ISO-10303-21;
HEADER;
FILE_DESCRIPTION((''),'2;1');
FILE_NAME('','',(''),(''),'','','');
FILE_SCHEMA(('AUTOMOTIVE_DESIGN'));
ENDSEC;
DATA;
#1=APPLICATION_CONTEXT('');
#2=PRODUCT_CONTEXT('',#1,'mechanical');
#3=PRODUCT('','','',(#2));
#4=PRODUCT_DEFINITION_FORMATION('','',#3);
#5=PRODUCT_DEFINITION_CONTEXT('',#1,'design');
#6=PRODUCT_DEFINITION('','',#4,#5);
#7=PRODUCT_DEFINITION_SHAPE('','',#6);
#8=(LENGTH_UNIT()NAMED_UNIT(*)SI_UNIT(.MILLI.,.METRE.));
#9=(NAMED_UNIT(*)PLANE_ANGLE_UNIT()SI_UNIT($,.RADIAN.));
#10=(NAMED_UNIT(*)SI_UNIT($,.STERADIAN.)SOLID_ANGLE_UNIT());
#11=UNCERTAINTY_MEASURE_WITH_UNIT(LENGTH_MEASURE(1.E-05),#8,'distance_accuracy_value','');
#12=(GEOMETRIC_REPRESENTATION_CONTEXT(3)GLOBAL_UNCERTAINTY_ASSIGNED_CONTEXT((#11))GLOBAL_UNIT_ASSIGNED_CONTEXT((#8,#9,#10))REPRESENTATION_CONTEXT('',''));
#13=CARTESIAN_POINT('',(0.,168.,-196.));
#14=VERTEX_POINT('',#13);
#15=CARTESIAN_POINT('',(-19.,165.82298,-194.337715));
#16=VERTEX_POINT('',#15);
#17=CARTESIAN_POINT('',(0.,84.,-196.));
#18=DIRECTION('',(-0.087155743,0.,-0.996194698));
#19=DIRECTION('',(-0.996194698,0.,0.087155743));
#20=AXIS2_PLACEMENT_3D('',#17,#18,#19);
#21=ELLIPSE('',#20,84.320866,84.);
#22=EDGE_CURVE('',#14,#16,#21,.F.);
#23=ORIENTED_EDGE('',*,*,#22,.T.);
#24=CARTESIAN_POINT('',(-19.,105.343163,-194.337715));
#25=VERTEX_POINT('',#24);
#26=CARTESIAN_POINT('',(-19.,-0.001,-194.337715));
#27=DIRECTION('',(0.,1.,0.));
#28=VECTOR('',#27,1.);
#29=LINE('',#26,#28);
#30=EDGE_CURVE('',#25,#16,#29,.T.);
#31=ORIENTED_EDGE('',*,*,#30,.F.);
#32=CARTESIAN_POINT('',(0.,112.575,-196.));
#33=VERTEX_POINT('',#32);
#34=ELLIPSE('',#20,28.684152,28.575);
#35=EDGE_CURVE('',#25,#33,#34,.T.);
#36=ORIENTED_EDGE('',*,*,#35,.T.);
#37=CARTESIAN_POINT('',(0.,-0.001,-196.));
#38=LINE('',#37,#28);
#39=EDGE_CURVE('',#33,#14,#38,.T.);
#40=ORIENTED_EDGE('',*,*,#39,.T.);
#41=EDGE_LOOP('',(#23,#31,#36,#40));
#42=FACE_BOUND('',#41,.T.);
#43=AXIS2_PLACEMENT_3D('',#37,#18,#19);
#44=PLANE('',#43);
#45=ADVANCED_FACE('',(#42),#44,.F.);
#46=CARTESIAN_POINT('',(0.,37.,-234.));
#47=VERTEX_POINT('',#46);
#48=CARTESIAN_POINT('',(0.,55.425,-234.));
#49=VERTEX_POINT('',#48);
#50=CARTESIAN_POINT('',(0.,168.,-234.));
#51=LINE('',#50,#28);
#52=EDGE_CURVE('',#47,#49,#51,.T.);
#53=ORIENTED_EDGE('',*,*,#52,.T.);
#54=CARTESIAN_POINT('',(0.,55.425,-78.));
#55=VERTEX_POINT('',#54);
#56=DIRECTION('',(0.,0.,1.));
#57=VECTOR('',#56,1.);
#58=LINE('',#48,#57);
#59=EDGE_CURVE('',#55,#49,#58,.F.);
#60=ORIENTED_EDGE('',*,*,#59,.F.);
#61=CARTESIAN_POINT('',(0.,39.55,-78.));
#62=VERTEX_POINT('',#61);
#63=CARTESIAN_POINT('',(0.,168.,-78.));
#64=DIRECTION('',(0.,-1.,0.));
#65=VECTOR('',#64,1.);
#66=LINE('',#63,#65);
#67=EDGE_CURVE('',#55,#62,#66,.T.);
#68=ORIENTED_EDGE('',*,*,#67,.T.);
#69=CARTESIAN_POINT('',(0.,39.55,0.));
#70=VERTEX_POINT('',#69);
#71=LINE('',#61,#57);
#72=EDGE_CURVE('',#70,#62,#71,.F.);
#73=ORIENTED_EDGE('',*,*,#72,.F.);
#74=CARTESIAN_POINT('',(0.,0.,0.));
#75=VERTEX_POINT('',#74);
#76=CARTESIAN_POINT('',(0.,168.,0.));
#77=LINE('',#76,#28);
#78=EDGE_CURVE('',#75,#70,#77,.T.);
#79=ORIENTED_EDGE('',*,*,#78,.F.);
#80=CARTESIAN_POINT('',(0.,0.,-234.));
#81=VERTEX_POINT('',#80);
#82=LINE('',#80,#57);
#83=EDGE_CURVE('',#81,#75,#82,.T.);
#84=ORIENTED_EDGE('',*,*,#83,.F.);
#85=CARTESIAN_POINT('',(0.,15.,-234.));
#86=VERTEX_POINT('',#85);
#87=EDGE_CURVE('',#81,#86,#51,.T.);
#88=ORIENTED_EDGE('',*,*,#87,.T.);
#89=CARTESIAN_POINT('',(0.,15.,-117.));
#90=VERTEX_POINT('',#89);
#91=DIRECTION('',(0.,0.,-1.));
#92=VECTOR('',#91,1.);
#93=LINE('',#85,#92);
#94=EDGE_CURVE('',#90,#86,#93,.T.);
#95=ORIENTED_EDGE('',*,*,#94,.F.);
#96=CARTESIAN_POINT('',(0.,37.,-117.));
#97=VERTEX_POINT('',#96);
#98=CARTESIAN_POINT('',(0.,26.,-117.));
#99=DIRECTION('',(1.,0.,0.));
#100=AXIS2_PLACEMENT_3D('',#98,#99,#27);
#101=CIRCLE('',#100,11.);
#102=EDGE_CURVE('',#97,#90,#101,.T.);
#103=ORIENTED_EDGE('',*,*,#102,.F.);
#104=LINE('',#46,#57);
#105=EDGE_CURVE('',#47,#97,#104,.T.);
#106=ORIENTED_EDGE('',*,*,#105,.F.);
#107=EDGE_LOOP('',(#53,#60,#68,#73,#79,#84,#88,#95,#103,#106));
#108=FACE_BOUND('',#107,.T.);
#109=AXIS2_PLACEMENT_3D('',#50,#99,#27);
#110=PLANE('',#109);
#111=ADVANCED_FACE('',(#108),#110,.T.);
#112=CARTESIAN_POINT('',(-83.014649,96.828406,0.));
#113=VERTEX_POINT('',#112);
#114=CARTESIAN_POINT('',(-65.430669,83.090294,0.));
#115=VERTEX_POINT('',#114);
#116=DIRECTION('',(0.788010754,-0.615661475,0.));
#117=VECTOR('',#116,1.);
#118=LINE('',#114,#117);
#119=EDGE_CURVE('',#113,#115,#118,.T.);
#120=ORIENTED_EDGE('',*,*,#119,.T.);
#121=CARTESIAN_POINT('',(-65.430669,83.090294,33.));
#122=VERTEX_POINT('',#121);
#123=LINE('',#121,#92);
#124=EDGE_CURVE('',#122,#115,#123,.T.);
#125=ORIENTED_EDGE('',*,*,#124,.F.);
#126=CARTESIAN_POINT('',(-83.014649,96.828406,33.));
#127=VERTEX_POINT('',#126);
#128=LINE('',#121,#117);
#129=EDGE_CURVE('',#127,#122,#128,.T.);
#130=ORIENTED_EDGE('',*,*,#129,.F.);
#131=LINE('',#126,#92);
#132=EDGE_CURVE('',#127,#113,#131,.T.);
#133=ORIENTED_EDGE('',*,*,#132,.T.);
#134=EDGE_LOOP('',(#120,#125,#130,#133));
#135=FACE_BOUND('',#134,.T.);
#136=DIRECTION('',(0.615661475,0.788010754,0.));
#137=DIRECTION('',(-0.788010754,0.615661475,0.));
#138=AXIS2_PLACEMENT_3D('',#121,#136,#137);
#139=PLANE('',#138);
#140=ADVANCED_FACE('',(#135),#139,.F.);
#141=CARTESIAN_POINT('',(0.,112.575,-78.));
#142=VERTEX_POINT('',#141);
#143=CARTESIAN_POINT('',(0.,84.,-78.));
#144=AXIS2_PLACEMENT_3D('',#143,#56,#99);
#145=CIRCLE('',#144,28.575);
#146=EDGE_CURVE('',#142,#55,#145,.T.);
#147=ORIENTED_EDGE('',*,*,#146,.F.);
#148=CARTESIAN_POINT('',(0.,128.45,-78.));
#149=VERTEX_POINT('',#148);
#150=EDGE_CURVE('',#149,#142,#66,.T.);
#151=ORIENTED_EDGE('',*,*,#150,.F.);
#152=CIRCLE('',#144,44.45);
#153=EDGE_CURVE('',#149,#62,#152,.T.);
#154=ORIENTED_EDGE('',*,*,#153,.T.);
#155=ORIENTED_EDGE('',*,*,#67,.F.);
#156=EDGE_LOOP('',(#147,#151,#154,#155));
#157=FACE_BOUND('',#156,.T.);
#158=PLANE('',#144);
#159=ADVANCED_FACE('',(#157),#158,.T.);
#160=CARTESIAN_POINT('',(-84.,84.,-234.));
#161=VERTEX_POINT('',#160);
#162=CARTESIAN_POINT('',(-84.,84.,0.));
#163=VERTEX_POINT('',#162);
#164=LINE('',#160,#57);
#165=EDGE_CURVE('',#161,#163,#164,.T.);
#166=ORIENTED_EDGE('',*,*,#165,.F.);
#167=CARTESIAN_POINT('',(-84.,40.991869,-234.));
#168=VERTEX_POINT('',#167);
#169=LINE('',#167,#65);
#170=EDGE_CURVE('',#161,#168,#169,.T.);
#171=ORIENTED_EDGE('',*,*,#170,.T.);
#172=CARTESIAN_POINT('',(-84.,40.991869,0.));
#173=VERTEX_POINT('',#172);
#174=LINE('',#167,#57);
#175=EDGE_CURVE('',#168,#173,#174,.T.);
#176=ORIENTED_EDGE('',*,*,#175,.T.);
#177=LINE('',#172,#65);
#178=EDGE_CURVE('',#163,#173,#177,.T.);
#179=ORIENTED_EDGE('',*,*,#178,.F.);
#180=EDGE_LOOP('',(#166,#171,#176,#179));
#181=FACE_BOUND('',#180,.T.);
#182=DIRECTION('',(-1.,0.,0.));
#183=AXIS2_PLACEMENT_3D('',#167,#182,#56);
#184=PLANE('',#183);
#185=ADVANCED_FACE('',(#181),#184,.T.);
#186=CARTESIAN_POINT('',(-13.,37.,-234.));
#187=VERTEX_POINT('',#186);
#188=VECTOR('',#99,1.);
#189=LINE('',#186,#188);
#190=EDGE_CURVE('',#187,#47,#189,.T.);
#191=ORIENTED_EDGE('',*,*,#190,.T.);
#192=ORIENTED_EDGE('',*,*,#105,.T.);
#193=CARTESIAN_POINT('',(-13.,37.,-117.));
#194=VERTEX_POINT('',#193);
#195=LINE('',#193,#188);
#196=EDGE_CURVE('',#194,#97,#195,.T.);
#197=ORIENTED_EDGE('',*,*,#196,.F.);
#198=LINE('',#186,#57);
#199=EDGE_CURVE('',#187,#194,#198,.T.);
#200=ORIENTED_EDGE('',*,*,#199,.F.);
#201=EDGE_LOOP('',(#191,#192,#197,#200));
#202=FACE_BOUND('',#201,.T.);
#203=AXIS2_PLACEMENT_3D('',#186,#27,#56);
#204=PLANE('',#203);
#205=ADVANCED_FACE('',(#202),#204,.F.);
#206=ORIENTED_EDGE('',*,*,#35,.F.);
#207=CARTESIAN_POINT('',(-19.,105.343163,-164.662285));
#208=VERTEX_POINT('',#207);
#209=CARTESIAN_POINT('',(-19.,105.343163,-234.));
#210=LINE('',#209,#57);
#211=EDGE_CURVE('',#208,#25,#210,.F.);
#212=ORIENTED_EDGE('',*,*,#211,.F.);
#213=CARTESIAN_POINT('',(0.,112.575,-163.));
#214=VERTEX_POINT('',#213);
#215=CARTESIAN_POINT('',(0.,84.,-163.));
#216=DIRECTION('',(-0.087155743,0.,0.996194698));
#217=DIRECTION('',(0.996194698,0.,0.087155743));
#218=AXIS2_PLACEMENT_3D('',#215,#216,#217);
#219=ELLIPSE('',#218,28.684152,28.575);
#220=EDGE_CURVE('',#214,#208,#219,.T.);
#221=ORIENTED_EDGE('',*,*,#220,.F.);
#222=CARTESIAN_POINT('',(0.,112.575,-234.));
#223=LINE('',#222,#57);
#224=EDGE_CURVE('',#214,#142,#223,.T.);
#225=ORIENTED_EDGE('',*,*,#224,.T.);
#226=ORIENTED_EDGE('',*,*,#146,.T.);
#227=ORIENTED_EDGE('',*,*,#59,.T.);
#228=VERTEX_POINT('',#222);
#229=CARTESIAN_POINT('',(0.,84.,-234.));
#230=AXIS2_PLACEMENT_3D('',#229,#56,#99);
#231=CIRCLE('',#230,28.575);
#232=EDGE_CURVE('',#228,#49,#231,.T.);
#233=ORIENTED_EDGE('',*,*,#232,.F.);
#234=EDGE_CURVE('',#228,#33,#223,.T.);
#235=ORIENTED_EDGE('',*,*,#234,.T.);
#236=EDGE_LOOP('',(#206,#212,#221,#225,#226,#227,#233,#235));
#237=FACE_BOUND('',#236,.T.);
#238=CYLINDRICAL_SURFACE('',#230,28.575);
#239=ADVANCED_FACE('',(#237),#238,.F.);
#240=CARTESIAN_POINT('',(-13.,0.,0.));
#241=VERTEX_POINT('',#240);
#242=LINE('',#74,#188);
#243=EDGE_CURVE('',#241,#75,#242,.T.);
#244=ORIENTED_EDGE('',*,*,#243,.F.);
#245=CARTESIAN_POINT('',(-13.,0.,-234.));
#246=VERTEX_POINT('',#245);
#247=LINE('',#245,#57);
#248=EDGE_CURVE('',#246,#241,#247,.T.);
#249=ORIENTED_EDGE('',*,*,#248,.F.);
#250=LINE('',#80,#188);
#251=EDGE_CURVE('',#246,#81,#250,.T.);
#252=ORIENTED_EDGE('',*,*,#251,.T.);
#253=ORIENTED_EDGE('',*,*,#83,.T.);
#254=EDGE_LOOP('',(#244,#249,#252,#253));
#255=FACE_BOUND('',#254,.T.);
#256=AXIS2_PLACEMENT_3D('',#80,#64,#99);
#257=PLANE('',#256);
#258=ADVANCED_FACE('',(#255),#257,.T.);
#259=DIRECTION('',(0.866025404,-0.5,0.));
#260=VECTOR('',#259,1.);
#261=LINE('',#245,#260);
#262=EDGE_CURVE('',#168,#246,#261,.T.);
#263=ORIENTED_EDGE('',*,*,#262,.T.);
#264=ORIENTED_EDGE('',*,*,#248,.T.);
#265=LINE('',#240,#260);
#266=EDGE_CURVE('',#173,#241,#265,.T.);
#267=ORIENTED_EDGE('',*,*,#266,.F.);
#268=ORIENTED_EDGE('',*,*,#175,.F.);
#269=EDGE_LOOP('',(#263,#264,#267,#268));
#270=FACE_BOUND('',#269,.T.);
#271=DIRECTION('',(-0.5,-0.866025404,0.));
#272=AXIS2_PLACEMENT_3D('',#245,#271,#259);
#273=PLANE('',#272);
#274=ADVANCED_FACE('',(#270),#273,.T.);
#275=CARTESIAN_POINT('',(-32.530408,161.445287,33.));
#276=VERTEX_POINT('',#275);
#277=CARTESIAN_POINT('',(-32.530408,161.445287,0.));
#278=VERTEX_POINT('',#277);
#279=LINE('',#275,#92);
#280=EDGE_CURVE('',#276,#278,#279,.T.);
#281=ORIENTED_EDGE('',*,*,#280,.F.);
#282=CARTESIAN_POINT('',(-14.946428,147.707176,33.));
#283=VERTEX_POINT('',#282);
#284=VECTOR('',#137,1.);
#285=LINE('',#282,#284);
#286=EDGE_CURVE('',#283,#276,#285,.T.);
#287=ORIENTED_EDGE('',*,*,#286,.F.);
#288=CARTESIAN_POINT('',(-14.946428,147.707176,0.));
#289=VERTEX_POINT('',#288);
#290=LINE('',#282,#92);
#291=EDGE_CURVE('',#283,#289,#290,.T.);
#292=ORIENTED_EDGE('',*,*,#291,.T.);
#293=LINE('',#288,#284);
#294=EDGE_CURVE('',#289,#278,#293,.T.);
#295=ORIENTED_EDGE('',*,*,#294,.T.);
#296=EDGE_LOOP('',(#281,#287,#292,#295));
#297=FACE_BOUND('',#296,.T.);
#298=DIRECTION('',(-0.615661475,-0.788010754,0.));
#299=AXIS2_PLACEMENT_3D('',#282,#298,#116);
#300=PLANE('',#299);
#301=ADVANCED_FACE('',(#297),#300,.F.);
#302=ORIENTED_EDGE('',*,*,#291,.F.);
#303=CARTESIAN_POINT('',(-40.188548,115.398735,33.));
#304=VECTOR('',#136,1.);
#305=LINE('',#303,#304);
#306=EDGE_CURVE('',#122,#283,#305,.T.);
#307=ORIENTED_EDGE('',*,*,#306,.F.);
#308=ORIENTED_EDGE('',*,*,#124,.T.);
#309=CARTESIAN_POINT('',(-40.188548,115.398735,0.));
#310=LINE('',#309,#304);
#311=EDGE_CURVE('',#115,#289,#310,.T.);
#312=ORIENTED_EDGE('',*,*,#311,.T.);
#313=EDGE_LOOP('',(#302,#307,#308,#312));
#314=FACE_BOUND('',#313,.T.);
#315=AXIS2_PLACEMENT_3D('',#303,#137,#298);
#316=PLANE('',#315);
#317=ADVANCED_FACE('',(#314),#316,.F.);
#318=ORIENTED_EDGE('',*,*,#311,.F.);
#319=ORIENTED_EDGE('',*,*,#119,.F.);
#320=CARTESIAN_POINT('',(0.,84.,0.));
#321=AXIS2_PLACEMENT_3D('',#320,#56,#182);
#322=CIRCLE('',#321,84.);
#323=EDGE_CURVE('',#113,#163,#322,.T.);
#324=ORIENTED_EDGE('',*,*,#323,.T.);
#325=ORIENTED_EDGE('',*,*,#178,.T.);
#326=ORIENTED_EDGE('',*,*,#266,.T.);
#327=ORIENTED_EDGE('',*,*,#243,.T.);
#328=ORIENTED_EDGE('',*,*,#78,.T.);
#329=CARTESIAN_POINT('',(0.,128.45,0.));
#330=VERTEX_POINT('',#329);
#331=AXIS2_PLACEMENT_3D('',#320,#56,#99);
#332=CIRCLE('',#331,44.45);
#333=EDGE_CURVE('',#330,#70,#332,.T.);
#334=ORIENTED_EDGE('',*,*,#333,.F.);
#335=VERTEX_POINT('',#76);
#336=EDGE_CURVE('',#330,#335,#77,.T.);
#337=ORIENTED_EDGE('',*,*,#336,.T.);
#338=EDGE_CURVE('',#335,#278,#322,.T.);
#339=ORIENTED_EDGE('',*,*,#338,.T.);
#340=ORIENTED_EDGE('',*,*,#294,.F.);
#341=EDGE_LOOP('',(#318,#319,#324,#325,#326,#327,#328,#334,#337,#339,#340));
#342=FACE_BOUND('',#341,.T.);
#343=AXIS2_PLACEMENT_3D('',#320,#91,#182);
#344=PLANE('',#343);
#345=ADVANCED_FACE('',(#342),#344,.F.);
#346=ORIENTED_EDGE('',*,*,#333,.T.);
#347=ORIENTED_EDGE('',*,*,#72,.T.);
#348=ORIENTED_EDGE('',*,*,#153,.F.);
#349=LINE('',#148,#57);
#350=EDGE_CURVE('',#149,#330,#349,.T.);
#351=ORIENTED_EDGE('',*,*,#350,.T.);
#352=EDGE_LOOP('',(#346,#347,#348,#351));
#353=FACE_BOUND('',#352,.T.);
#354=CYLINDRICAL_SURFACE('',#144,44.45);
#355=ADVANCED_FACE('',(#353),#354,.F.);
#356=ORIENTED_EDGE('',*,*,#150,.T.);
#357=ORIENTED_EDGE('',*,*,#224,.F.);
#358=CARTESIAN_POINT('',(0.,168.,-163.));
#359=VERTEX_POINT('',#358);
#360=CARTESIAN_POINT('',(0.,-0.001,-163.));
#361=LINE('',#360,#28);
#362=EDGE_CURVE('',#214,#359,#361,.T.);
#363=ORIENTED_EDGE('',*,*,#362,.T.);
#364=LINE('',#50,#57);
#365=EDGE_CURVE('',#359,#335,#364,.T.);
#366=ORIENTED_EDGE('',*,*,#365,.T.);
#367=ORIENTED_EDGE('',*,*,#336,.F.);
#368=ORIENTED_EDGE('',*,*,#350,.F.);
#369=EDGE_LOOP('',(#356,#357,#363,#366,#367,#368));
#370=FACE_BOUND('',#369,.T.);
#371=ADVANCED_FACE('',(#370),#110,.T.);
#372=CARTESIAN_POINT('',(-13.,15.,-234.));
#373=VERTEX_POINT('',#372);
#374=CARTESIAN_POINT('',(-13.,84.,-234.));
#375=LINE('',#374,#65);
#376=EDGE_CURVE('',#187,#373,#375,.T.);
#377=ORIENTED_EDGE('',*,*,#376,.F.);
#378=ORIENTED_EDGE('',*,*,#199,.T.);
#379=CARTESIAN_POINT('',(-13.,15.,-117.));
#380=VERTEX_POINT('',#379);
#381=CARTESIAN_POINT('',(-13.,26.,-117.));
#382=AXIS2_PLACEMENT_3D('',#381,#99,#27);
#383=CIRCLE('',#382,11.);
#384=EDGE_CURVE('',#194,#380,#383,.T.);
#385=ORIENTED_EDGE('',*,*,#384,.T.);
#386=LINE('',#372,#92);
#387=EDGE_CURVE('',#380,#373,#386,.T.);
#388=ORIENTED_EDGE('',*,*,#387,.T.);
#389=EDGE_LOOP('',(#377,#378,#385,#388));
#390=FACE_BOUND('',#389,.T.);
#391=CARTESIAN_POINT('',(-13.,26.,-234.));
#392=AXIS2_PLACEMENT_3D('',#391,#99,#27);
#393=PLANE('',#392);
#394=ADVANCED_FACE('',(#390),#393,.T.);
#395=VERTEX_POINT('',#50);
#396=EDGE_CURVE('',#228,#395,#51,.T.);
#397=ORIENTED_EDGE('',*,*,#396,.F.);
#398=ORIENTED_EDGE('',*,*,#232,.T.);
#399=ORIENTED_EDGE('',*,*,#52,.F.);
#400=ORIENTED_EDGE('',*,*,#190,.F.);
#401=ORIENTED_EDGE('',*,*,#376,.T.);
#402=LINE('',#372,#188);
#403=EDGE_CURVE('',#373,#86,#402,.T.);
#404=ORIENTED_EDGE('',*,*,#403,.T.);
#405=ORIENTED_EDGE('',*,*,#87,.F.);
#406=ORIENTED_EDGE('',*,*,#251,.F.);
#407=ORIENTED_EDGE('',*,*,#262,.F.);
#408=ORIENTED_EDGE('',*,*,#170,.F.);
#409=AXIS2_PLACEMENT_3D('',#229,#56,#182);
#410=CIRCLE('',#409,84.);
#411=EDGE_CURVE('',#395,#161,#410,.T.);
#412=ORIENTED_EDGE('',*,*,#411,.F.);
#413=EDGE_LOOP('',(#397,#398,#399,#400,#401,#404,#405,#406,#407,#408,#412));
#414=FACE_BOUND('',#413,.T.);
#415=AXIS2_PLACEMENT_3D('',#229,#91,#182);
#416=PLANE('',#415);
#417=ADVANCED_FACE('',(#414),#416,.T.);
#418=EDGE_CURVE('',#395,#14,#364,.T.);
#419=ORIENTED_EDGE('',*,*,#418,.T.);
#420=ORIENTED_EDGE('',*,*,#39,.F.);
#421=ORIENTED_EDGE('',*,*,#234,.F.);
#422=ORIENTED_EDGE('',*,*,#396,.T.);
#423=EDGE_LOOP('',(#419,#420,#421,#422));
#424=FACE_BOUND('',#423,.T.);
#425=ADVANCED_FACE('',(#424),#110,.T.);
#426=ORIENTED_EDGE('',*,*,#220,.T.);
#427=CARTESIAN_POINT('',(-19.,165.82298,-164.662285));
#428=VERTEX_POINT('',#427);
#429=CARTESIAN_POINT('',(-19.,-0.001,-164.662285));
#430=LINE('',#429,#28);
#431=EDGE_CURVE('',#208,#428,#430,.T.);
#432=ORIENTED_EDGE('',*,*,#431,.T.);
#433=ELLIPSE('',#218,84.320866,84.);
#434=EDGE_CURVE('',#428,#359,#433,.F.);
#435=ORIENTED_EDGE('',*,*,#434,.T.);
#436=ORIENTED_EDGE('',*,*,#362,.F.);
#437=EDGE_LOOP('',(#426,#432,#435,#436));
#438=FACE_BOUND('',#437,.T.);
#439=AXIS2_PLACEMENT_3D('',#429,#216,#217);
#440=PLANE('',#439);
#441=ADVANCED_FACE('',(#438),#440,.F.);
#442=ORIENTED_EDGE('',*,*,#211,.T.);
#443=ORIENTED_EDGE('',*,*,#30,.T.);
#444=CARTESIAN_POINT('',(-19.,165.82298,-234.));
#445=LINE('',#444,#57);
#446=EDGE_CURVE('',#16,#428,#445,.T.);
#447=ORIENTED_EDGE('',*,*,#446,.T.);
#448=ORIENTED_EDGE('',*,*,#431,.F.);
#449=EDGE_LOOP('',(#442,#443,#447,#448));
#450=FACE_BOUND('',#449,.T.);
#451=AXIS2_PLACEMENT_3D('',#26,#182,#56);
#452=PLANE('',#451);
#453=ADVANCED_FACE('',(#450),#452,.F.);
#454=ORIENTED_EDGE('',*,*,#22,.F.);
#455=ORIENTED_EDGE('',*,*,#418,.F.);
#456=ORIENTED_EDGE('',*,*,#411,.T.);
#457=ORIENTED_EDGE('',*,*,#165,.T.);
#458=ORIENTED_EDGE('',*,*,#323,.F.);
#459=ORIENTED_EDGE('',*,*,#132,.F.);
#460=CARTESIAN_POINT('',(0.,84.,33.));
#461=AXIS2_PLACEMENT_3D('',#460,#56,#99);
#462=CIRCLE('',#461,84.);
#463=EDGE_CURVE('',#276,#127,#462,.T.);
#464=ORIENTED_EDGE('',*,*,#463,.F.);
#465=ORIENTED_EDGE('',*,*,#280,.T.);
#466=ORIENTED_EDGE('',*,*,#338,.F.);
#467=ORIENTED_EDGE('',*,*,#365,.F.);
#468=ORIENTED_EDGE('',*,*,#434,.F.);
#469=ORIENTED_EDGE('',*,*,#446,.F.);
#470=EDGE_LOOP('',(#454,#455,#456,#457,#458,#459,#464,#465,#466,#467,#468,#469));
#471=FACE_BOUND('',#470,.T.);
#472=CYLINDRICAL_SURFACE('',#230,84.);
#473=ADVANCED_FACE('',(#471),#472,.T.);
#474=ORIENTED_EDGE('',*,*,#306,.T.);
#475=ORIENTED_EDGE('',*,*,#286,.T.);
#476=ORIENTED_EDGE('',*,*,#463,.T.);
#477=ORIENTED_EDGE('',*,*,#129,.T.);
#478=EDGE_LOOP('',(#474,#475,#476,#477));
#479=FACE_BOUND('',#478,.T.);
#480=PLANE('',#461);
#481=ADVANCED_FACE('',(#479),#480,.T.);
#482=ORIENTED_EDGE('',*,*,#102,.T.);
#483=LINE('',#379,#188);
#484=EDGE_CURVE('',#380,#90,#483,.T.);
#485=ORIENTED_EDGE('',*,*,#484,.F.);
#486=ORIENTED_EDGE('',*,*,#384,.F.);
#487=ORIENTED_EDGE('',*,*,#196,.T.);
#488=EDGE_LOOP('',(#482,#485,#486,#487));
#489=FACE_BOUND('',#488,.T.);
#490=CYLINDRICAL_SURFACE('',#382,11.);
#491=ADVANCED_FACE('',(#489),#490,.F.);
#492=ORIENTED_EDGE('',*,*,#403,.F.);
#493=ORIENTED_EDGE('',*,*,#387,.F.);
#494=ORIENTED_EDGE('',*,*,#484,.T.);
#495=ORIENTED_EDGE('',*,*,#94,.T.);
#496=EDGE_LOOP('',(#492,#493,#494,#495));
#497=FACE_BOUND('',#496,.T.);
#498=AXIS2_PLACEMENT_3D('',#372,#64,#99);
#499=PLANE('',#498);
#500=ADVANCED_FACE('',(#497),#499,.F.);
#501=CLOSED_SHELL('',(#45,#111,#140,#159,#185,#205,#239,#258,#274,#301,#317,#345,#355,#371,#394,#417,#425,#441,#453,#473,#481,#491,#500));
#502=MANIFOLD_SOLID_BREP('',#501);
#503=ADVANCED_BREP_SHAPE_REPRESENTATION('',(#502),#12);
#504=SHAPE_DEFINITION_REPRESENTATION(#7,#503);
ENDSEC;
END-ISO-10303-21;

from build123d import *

# Parameters (mm, degrees)
BOSS_EXTRUDE1_DEPTH     = 234
SKETCH2_R               = 44.45
CUT_EXTRUDE2_DEPTH      = 78
SKETCH3_R               = 28.575
CUT_EXTRUDE3_DEPTH      = 301.059994001
CUT_EXTRUDE4_DEPTH      = 13
BOSS_EXTRUDE2_START     = 33
BOSS_EXTRUDE2_DEPTH     = 33
CUT_EXTRUDE6_REACH      = 302.06
CUT_EXTRUDE6_END_RADIUS = 28.575


with BuildPart() as part:
    # Sketch1 → Boss-Extrude1 (new body)
    with BuildSketch(Plane.XY):
        with BuildLine():
            Line((0, 0), (-13, 0))
            Line((-13, 0), (-84, 40.991869112))
            Line((-84, 40.991869112), (-84, 84))
            ThreePointArc((-84, 84), (-59.39696962, 143.39696962), (0, 168))
            Line((0, 168), (0, 0))
        make_face()
    extrude(amount=-BOSS_EXTRUDE1_DEPTH)

    # Sketch2 → Cut-Extrude2 (cut)
    with BuildSketch(Plane.XY):
        with Locations((0, 84)):
            Circle(SKETCH2_R)
    extrude(amount=-CUT_EXTRUDE2_DEPTH, mode=Mode.SUBTRACT)

    # Sketch3 → Cut-Extrude3 (cut, through all)
    with BuildSketch(Plane.XY):
        with Locations((0, 84)):
            Circle(SKETCH3_R)
    extrude(amount=-CUT_EXTRUDE3_DEPTH, mode=Mode.SUBTRACT)

    # Sketch5 → Cut-Extrude4 (cut)
    with BuildSketch(Plane(origin=(0, 0, 0), x_dir=(0, 0, -1), z_dir=(1, 0, 0))):
        with BuildLine():
            Line((234, 15), (117, 15))
            ThreePointArc((117, 15), (106, 26), (117, 37))
            Line((117, 37), (234, 37))
            ThreePointArc((234, 37), (245, 26), (234, 15))
        make_face()
    extrude(amount=-CUT_EXTRUDE4_DEPTH, mode=Mode.SUBTRACT)

    # Sketch6 → Boss-Extrude2 (add)
    with BuildSketch(Plane.XY.offset(BOSS_EXTRUDE2_START)):
        with BuildLine():
            Line((-40.188548434, 115.398735242), (-14.946427946, 147.707176139))
            Line((-14.946427946, 147.707176139), (-32.530408402, 161.445287327))
            ThreePointArc((-32.530408402, 161.445287327), (-66.192903303, 135.715563927), (-83.014649379, 96.828405531))
            Line((-83.014649379, 96.828405531), (-65.430668922, 83.090294344))
            Line((-65.430668922, 83.090294344), (-40.188548434, 115.398735242))
        make_face()
    extrude(amount=-BOSS_EXTRUDE2_DEPTH)

    # Cut-Extrude6: up to this cylinder (the profile starts outside it)
    cut_extrude6_end = Plane(origin=(0, 84, -179.5), z_dir=(0, 0, 1)) * Cylinder(CUT_EXTRUDE6_END_RADIUS, 662.27, mode=Mode.PRIVATE)
    # Sketch7 → Cut-Extrude6 (cut, up to the surface)
    with BuildSketch(Plane(origin=(0, 168, 0), x_dir=(1, 0, 0), z_dir=(0, 1, 0)), mode=Mode.PRIVATE) as cut_extrude6_sk1:
        Polygon((0, 196), (-19, 194.337715393), (-19, 164.662284607), (0, 163), align=None)
    cut_extrude6_tool1 = extrude(cut_extrude6_sk1.sketch, amount=-CUT_EXTRUDE6_REACH, mode=Mode.PRIVATE) - cut_extrude6_end
    add(cut_extrude6_tool1.solids().sort_by_distance((-9.332027, 168, -179.5))[0], mode=Mode.SUBTRACT)


solid = part.part
